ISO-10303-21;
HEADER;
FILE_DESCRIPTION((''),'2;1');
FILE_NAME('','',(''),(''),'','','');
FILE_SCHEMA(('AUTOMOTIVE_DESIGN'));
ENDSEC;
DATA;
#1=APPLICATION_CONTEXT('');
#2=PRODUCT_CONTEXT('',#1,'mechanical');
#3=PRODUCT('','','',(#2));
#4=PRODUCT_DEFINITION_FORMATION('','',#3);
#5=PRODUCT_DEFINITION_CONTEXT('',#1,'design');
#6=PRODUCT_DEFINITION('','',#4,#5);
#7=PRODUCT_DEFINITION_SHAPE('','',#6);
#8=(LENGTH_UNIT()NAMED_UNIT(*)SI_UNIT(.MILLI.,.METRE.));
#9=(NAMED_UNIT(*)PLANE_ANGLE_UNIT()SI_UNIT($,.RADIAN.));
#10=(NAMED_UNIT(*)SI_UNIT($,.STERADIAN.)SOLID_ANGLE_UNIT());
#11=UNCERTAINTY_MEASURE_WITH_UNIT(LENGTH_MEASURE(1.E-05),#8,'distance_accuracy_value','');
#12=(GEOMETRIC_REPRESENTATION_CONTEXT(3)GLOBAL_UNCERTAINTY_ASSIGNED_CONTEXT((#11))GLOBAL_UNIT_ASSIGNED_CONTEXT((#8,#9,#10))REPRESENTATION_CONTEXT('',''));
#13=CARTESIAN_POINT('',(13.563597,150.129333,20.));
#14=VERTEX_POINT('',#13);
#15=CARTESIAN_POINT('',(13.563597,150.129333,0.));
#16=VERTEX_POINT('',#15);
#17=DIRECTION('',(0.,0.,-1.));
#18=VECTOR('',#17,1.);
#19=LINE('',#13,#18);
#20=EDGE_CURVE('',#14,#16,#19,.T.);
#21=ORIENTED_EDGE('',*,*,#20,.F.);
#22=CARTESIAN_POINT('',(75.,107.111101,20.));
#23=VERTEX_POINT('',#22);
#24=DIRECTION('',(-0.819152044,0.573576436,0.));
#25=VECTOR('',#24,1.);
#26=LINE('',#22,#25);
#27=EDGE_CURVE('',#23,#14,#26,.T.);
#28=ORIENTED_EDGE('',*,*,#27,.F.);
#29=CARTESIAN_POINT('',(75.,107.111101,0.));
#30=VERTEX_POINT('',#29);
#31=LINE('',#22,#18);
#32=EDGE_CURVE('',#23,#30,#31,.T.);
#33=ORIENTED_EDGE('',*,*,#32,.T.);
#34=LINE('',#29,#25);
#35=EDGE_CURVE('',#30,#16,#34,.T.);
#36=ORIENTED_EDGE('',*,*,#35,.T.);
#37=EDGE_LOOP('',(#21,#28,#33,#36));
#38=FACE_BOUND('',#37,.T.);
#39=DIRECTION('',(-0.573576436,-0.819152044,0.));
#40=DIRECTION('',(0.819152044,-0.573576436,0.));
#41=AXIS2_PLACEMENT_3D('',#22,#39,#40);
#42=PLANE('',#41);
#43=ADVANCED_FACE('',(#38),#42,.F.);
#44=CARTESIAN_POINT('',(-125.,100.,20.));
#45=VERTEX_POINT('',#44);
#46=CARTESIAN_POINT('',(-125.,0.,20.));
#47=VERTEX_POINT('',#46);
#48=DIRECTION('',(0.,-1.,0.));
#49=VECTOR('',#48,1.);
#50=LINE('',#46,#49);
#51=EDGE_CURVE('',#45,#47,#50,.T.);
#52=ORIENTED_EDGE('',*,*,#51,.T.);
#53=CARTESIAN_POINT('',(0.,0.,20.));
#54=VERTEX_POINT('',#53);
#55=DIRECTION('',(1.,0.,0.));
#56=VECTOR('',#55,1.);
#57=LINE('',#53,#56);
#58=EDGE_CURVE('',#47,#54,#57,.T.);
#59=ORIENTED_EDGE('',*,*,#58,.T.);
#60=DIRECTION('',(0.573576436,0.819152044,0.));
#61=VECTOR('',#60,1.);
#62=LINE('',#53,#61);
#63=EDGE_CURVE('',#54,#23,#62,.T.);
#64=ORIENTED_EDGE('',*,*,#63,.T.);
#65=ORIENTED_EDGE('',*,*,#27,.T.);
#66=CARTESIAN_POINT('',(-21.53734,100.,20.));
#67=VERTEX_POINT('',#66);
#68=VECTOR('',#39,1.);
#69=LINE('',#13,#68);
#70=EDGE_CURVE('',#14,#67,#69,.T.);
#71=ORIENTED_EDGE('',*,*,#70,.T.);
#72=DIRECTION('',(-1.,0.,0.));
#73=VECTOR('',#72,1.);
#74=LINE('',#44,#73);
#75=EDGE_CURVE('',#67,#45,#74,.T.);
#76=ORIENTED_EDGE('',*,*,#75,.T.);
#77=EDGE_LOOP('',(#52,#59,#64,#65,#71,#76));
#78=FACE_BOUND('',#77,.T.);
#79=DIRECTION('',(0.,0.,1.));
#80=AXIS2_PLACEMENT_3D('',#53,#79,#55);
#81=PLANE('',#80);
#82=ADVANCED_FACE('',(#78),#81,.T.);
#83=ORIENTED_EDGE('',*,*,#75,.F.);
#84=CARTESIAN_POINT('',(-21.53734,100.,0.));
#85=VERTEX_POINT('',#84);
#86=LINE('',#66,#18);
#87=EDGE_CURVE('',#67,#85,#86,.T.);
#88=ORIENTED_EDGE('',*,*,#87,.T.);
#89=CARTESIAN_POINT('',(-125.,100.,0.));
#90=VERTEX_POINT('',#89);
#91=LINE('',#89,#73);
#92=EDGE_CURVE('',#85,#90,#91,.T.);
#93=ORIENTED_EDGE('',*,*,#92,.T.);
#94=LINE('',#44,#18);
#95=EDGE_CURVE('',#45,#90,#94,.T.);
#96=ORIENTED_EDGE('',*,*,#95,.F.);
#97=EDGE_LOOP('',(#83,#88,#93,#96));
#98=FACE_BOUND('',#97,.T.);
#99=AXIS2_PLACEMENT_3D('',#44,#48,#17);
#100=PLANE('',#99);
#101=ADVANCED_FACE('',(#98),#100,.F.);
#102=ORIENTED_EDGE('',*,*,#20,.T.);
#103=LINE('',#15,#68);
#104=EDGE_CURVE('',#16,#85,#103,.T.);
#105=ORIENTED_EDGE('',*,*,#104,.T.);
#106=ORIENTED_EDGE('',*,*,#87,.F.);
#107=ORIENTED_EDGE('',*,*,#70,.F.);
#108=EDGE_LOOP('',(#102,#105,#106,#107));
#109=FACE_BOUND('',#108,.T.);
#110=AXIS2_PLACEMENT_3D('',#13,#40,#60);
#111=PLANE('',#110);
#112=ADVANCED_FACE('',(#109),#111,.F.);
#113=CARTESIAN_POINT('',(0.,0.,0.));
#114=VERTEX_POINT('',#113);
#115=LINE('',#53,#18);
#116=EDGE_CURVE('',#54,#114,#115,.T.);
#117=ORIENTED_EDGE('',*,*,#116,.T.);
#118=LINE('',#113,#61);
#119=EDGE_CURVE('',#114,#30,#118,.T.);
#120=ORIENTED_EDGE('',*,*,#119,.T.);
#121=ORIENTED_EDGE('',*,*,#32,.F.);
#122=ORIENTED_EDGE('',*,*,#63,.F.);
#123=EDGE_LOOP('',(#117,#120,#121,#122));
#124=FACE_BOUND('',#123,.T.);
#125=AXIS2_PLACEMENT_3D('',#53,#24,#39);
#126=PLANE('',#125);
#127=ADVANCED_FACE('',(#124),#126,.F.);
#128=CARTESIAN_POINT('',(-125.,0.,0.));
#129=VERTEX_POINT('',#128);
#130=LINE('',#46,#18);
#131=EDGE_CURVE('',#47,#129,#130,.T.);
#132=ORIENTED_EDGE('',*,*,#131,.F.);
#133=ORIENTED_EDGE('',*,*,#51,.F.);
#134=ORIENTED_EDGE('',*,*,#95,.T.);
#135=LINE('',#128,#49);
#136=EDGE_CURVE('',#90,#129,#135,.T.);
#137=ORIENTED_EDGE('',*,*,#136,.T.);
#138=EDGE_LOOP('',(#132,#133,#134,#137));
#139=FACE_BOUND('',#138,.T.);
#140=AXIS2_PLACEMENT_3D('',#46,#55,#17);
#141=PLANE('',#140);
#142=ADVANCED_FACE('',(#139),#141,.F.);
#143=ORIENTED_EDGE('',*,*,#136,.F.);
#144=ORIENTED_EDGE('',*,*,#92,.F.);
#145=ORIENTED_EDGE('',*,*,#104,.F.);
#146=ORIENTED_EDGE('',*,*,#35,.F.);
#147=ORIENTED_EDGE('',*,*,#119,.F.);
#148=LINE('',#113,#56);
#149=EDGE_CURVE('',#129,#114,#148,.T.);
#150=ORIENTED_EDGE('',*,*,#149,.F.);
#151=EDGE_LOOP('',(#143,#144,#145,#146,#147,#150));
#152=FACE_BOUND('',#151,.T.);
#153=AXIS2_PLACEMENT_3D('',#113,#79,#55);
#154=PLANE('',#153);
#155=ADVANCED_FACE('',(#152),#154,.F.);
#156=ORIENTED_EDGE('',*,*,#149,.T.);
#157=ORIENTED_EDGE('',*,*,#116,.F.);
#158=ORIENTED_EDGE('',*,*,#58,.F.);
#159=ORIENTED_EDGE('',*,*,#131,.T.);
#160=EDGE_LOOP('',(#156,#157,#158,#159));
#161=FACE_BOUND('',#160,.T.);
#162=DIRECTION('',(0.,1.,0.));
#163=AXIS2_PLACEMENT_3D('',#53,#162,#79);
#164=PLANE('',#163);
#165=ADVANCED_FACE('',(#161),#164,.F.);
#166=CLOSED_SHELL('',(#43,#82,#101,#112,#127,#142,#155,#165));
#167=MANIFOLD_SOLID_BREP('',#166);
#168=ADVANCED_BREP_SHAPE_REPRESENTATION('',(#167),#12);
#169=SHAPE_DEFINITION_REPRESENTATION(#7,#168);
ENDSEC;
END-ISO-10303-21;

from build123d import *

# Parameters (mm, degrees)
BOSS_EXTRUDE1_DEPTH = 20


with BuildPart() as part:
    # Sketch1 → Boss-Extrude1 (new body)
    with BuildSketch(Plane.XY):
        Polygon((0, 0), (-125, 0), (-125, 100), (-21.537340336, 100), (13.563596678, 150.129333232), (75, 107.111100506), align=None)
    extrude(amount=BOSS_EXTRUDE1_DEPTH)


solid = part.part
